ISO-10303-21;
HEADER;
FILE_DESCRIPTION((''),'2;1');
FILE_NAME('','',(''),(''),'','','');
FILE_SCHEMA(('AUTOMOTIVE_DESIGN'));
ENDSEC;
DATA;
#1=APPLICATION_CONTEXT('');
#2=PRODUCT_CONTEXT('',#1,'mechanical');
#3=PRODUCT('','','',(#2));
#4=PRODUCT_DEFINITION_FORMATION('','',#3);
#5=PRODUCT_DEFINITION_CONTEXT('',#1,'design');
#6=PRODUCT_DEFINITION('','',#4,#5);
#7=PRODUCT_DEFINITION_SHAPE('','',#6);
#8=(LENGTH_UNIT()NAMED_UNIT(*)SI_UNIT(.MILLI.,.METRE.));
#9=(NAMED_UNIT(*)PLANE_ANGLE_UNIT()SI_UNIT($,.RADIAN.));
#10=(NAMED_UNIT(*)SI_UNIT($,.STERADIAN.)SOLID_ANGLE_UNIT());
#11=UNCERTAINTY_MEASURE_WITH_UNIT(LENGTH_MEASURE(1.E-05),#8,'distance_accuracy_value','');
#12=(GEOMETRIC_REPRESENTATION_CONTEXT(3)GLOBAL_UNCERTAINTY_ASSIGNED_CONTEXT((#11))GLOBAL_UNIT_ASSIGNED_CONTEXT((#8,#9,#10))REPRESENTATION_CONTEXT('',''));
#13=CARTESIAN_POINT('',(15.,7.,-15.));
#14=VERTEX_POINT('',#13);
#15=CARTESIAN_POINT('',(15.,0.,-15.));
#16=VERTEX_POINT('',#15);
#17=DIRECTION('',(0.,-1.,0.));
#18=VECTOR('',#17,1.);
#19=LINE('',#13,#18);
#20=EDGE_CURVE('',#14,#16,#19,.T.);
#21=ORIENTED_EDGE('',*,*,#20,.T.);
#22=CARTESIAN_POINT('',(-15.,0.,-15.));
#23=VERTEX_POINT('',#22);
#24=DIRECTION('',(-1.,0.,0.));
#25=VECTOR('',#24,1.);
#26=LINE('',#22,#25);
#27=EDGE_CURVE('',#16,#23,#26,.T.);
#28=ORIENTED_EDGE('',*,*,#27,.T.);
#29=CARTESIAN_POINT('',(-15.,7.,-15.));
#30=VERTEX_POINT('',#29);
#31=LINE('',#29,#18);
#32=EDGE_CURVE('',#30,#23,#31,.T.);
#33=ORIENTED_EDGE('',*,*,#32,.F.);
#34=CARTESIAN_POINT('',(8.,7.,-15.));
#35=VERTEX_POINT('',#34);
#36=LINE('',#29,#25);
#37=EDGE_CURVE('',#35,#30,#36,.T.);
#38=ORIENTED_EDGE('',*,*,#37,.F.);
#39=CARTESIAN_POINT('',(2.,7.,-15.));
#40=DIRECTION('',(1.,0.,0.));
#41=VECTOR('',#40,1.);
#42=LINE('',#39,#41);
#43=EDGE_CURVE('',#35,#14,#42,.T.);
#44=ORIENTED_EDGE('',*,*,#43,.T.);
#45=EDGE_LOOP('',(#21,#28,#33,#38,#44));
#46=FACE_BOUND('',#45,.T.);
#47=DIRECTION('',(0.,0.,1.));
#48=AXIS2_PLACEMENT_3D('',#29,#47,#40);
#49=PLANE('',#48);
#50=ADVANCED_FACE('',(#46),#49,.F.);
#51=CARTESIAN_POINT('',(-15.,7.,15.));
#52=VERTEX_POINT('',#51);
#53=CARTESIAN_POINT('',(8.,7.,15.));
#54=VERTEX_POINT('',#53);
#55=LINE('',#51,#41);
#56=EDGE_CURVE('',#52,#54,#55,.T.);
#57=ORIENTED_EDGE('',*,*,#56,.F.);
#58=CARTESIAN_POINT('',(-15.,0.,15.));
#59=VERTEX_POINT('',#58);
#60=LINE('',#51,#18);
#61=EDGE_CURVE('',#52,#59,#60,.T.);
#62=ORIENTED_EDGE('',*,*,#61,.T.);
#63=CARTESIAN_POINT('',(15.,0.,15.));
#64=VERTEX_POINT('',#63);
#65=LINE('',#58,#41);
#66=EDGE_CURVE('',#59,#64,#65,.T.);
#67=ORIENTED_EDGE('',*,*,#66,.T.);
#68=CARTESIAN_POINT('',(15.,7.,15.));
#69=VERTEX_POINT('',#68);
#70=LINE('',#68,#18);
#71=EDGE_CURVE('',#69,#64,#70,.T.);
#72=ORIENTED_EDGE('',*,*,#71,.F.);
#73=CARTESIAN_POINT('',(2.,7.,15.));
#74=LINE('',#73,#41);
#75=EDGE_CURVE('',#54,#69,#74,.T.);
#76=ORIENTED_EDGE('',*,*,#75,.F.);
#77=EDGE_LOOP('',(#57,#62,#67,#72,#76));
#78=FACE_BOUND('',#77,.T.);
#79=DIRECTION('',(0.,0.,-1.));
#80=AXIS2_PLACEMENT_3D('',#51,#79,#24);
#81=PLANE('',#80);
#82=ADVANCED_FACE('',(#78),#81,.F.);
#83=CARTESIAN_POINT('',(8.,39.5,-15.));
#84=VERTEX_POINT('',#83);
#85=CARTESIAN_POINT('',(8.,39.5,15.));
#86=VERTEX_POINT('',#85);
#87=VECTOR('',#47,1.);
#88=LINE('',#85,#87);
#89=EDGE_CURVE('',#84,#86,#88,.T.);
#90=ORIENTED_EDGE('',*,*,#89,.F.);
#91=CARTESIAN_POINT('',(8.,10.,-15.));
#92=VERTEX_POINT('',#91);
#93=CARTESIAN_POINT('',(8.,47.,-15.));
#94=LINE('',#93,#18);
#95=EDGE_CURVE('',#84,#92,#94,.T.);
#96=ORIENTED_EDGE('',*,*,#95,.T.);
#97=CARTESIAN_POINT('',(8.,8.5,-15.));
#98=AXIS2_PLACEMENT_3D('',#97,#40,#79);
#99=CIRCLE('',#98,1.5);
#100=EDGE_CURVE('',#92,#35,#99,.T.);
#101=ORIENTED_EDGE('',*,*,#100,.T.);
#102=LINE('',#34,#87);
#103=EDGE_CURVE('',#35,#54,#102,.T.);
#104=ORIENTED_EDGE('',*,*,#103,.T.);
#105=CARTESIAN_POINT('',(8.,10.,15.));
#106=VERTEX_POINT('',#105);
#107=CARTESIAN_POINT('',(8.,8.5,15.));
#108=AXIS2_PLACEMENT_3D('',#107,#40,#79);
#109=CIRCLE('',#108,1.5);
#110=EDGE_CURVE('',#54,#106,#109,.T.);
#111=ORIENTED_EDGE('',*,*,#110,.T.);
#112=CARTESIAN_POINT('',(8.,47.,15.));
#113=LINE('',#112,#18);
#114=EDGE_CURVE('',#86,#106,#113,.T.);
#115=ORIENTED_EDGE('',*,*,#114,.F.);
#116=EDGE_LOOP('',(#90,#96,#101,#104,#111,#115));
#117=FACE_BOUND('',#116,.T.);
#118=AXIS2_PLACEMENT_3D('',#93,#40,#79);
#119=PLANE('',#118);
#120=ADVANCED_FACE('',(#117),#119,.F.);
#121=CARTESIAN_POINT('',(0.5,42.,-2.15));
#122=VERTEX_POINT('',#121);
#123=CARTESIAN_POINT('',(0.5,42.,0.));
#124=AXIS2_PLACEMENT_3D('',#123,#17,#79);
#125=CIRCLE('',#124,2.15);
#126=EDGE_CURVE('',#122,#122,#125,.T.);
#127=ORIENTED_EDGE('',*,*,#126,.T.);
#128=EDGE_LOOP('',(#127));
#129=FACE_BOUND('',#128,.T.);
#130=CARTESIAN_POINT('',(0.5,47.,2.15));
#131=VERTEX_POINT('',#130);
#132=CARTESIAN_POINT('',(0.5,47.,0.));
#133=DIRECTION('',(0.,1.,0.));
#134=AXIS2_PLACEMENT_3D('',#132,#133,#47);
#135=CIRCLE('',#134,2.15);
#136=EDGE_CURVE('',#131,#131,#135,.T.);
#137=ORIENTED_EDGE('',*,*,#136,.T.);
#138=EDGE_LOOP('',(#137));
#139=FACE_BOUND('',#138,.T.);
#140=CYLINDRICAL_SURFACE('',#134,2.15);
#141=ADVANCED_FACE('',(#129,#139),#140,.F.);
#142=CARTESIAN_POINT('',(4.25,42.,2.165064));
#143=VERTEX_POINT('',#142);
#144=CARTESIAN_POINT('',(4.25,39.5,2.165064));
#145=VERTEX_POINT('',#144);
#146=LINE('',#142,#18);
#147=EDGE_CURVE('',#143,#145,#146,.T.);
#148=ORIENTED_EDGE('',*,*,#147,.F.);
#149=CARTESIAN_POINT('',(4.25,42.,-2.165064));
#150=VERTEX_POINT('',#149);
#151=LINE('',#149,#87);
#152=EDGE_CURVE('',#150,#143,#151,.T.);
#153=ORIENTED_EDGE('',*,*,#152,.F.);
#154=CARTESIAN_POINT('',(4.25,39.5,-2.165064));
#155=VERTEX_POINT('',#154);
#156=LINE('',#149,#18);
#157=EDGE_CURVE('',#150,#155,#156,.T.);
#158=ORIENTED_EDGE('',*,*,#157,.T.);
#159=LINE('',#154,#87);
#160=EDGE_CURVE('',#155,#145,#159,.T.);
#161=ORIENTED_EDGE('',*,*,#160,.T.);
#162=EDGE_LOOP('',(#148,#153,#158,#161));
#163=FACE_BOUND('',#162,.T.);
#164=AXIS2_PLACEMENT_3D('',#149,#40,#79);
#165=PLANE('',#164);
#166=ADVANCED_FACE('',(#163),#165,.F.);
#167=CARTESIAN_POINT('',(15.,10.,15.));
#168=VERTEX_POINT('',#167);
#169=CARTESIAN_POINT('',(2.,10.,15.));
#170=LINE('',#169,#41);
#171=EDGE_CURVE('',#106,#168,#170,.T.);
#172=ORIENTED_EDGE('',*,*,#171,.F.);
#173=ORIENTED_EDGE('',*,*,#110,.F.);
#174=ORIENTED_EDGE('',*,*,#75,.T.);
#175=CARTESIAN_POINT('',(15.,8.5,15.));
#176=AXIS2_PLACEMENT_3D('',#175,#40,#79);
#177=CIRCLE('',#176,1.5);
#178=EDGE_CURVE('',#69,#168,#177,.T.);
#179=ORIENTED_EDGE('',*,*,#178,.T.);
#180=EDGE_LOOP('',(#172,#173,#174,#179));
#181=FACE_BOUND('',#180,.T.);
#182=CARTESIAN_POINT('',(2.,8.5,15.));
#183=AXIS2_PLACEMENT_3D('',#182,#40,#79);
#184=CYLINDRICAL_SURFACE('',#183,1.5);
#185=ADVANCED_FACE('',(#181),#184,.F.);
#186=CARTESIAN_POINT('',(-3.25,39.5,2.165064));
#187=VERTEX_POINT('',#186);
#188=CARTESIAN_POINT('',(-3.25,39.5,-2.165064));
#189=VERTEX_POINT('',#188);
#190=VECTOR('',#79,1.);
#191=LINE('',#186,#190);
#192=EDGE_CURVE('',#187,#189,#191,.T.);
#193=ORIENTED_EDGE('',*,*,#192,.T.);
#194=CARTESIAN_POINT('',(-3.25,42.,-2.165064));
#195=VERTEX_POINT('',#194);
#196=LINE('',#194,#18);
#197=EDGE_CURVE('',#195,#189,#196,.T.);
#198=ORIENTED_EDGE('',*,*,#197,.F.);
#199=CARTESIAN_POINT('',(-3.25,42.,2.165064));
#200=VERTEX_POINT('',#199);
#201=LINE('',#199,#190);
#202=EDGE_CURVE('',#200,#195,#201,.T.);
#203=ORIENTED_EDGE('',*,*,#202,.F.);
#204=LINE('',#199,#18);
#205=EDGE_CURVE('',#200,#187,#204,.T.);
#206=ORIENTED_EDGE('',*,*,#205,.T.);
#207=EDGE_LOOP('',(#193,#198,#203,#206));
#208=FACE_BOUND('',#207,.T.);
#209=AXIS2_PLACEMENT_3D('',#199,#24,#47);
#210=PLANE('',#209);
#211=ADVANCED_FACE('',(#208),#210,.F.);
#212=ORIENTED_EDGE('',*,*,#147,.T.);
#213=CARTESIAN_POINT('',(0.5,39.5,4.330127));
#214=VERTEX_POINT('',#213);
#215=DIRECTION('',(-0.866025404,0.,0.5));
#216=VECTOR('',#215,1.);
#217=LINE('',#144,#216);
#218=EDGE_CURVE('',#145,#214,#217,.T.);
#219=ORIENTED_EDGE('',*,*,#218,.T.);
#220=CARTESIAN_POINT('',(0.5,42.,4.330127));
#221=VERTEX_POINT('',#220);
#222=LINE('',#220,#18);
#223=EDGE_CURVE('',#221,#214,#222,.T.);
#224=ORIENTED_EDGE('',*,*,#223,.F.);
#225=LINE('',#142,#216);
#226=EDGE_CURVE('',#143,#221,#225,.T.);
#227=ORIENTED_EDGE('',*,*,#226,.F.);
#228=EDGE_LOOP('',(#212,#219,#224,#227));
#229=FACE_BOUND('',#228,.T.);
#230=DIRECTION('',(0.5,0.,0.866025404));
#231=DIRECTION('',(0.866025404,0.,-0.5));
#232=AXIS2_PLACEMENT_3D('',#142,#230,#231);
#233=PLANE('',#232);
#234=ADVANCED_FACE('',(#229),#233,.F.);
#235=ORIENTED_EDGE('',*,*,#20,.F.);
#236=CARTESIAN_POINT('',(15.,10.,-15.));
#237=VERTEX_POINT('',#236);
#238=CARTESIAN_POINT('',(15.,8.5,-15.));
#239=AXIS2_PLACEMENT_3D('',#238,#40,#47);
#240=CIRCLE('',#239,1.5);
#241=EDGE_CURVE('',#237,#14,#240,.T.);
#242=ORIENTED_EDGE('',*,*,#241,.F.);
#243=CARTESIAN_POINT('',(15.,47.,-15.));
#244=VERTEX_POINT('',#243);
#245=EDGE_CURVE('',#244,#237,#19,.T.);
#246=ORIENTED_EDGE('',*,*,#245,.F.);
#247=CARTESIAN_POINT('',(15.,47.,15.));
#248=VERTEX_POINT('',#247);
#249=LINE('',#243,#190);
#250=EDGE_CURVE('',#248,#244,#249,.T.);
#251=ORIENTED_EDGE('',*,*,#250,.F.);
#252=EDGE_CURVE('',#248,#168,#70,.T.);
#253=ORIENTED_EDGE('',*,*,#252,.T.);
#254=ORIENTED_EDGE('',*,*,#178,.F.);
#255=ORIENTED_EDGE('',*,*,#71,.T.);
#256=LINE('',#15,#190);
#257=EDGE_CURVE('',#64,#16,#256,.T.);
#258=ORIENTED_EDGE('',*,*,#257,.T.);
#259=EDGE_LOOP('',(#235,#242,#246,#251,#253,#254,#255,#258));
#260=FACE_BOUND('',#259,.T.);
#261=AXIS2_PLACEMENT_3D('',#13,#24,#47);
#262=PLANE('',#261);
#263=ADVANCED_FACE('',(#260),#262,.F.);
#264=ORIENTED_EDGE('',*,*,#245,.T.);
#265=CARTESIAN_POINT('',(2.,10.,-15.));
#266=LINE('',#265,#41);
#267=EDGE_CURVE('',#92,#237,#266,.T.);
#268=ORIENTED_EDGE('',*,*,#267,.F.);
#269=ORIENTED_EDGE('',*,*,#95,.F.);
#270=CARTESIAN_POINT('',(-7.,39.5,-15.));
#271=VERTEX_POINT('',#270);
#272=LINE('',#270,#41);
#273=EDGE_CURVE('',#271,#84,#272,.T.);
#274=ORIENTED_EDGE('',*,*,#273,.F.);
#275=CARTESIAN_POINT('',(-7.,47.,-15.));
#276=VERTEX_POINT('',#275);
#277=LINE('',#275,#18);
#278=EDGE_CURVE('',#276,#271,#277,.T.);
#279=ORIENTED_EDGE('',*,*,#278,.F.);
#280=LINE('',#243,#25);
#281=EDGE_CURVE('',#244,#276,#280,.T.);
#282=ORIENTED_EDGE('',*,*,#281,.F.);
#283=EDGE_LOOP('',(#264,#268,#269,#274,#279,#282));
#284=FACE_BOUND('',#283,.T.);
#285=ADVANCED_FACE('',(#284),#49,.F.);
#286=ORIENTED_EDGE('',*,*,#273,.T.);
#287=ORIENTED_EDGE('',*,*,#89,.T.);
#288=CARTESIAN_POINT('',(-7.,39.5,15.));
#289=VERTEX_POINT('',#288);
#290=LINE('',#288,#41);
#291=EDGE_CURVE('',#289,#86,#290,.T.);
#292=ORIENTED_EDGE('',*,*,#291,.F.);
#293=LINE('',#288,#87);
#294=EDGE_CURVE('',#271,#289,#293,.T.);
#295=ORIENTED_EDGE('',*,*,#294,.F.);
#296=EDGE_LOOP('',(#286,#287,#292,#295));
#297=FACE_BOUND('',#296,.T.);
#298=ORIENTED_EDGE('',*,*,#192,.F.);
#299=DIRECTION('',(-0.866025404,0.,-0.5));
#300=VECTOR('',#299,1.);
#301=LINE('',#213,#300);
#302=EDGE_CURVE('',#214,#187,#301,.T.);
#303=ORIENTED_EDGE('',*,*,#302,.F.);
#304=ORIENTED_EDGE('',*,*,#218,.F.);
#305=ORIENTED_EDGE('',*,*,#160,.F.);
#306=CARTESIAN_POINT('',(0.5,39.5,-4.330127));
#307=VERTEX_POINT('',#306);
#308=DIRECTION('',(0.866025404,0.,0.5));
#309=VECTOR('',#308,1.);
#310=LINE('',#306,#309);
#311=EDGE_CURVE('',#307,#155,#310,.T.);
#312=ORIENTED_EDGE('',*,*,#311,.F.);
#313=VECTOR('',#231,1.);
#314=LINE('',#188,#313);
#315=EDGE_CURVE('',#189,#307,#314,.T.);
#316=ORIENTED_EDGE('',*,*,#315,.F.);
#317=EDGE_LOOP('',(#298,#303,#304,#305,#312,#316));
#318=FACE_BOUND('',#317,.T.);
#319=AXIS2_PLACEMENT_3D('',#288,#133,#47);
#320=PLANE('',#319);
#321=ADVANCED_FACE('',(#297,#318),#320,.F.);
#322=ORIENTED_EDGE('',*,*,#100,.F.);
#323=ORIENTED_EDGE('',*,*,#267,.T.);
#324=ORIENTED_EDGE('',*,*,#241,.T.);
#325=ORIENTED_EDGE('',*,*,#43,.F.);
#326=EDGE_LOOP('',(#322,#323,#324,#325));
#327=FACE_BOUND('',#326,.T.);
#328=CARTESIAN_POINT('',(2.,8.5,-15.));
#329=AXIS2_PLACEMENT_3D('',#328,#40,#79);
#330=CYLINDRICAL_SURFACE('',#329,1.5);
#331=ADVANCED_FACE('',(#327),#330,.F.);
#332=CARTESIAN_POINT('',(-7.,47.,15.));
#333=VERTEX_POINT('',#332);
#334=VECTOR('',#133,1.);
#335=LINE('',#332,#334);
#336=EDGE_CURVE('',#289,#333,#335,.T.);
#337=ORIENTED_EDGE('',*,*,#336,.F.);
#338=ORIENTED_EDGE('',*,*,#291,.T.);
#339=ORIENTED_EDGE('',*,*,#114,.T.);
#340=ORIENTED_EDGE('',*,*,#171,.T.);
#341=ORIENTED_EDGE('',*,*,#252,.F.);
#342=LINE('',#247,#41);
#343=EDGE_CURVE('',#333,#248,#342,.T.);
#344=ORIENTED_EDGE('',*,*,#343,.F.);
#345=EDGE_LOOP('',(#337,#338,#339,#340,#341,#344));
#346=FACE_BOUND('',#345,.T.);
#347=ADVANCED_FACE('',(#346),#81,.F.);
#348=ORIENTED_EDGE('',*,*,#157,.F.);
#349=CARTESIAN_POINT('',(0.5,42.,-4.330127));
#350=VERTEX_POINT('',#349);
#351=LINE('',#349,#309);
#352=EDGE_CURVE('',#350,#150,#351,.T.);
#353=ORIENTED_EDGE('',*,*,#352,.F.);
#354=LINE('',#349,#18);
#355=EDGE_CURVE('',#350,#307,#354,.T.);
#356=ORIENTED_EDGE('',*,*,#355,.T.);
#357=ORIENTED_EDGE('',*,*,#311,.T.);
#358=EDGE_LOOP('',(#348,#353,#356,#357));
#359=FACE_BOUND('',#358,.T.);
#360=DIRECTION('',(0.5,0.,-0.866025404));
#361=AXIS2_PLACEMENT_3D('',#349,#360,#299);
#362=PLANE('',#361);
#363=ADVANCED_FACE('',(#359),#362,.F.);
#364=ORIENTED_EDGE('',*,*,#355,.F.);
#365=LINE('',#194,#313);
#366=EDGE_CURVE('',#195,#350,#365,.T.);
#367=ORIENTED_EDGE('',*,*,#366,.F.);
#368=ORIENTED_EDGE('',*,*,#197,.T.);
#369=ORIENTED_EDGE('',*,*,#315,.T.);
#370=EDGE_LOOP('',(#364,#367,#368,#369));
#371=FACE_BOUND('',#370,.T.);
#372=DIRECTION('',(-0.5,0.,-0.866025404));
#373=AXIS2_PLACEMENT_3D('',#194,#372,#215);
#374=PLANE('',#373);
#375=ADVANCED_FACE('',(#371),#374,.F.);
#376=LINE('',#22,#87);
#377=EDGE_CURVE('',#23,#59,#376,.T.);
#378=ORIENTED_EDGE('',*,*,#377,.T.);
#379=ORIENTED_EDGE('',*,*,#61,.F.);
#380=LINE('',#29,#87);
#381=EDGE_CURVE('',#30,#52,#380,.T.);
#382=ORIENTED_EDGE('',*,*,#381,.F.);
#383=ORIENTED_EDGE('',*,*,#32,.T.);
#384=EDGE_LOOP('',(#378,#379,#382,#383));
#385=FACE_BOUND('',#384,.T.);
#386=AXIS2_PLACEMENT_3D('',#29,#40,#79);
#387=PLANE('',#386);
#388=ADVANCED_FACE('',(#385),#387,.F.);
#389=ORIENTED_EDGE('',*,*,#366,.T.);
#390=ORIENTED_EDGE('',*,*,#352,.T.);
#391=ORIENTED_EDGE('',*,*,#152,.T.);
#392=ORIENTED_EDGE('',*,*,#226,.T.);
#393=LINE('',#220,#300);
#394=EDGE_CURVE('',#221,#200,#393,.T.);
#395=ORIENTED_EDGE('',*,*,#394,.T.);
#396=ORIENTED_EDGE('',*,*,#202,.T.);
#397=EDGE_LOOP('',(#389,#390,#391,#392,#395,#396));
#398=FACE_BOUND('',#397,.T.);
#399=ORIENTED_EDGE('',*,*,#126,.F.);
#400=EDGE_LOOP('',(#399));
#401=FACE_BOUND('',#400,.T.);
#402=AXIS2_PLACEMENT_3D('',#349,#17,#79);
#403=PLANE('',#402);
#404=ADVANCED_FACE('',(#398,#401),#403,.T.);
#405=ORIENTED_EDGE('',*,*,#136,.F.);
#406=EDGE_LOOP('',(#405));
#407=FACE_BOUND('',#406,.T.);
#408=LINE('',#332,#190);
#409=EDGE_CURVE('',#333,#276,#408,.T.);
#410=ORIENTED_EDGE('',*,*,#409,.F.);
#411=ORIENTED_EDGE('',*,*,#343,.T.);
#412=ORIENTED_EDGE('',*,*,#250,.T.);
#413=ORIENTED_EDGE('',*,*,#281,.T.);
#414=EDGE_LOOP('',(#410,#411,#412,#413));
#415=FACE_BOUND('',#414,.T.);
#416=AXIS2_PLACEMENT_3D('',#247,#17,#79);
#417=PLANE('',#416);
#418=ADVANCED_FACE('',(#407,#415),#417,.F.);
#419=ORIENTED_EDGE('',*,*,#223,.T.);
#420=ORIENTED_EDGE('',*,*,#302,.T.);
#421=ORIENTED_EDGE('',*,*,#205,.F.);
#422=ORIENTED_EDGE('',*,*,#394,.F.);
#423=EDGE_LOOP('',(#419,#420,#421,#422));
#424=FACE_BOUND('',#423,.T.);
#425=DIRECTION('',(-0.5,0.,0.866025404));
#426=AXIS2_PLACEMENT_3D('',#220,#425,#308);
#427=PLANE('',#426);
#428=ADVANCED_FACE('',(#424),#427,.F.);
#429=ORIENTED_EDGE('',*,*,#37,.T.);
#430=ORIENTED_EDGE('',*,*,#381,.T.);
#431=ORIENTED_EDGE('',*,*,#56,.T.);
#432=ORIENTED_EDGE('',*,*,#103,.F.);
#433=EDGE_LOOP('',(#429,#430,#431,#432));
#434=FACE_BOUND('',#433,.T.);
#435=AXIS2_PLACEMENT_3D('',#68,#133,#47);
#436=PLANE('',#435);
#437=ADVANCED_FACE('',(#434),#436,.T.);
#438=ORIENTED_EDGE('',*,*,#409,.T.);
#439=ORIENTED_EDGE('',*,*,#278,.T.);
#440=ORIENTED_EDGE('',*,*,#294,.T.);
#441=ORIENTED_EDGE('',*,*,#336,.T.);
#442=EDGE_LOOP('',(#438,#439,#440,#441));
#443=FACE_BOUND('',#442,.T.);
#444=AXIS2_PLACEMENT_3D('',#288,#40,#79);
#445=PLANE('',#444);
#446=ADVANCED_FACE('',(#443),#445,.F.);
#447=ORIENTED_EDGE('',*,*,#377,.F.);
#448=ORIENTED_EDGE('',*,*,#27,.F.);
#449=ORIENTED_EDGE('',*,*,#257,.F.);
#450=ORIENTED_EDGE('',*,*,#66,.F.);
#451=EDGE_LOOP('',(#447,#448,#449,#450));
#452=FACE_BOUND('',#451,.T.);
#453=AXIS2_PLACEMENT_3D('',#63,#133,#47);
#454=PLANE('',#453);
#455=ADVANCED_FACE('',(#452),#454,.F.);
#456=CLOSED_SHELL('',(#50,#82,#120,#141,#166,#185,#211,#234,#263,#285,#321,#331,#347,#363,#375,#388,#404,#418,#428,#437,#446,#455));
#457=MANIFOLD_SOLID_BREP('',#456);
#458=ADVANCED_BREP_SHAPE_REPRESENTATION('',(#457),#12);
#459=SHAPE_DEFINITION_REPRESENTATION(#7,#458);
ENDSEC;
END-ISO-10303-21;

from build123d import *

# Parameters (mm, degrees)
SKETCH1_W                = 30
SKETCH1_H                = 30
BOSS_EXTRUDE1_DEPTH      = 7
SKETCH2_W                = 7
SKETCH2_H                = 30
BOSS_EXTRUDE2_DEPTH      = 40
SKETCH3_W                = 30
SKETCH3_H                = 7.5
BOSS_EXTRUDE3_DEPTH      = 15
CUT_EXTRUDE1_DEPTH       = 2.5
M4_CLEARANCE_HOLE1_D     = 4.3
M4_CLEARANCE_HOLE1_DEPTH = 6
M4_CLEARANCE_HOLE1_TIP   = 1.291850331
CUT_EXTRUDE3_DEPTH       = 13


with BuildPart() as part:
    # Sketch1 → Boss-Extrude1 (new body)
    with BuildSketch(Plane(origin=(0, 0, 0), x_dir=(1, 0, 0), z_dir=(0, 1, 0))):
        Rectangle(SKETCH1_W, SKETCH1_H)
    extrude(amount=BOSS_EXTRUDE1_DEPTH)

    # Sketch2 → Boss-Extrude2 (add)
    with BuildSketch(Plane(origin=(0, 7, 0), x_dir=(1, 0, 0), z_dir=(0, 1, 0))):
        with Locations((11.5, 0)):
            Rectangle(SKETCH2_W, SKETCH2_H)
    extrude(amount=BOSS_EXTRUDE2_DEPTH)

    # Sketch3 → Boss-Extrude3 (add)
    with BuildSketch(Plane.ZY.offset(-8)):
        with Locations((0, 43.25)):
            Rectangle(SKETCH3_W, SKETCH3_H)
    extrude(amount=BOSS_EXTRUDE3_DEPTH)

    # Sketch4 → Cut-Extrude1 (cut)
    with BuildSketch(Plane.XZ.offset(-39.5)):
        Polygon((0.5, -4.330127019), (4.25, -2.165063509), (4.25, 2.165063509), (0.5, 4.330127019), (-3.25, 2.165063509), (-3.25, -2.165063509), align=None)
    extrude(amount=-CUT_EXTRUDE1_DEPTH, mode=Mode.SUBTRACT)

    # M4 Clearance Hole1
    with Locations(Plane(origin=(0, 47, 0), x_dir=(-1, 0, 0), z_dir=(0, 1, 0))):
        with Locations((-0.5, 0)):
            Hole(M4_CLEARANCE_HOLE1_D / 2, depth=M4_CLEARANCE_HOLE1_DEPTH)
            with Locations((0, 0, -(M4_CLEARANCE_HOLE1_DEPTH + M4_CLEARANCE_HOLE1_TIP / 2))):  # 118° drill point
                Cone(0, M4_CLEARANCE_HOLE1_D / 2, M4_CLEARANCE_HOLE1_TIP, mode=Mode.SUBTRACT)

    # Sketch8 → Cut-Extrude3 (cut)
    with BuildSketch(Plane(origin=(15, 0, 0), x_dir=(0, 0, -1), z_dir=(1, 0, 0))):
        with BuildLine():
            Line((-15, 10), (-15, 7))
            ThreePointArc((-15, 7), (-13.5, 8.5), (-15, 10))
        make_face()
        with BuildLine():
            Line((15, 10), (15, 7))
            ThreePointArc((15, 7), (13.5, 8.5), (15, 10))
        make_face()
    extrude(amount=-CUT_EXTRUDE3_DEPTH, mode=Mode.SUBTRACT)


solid = part.part
